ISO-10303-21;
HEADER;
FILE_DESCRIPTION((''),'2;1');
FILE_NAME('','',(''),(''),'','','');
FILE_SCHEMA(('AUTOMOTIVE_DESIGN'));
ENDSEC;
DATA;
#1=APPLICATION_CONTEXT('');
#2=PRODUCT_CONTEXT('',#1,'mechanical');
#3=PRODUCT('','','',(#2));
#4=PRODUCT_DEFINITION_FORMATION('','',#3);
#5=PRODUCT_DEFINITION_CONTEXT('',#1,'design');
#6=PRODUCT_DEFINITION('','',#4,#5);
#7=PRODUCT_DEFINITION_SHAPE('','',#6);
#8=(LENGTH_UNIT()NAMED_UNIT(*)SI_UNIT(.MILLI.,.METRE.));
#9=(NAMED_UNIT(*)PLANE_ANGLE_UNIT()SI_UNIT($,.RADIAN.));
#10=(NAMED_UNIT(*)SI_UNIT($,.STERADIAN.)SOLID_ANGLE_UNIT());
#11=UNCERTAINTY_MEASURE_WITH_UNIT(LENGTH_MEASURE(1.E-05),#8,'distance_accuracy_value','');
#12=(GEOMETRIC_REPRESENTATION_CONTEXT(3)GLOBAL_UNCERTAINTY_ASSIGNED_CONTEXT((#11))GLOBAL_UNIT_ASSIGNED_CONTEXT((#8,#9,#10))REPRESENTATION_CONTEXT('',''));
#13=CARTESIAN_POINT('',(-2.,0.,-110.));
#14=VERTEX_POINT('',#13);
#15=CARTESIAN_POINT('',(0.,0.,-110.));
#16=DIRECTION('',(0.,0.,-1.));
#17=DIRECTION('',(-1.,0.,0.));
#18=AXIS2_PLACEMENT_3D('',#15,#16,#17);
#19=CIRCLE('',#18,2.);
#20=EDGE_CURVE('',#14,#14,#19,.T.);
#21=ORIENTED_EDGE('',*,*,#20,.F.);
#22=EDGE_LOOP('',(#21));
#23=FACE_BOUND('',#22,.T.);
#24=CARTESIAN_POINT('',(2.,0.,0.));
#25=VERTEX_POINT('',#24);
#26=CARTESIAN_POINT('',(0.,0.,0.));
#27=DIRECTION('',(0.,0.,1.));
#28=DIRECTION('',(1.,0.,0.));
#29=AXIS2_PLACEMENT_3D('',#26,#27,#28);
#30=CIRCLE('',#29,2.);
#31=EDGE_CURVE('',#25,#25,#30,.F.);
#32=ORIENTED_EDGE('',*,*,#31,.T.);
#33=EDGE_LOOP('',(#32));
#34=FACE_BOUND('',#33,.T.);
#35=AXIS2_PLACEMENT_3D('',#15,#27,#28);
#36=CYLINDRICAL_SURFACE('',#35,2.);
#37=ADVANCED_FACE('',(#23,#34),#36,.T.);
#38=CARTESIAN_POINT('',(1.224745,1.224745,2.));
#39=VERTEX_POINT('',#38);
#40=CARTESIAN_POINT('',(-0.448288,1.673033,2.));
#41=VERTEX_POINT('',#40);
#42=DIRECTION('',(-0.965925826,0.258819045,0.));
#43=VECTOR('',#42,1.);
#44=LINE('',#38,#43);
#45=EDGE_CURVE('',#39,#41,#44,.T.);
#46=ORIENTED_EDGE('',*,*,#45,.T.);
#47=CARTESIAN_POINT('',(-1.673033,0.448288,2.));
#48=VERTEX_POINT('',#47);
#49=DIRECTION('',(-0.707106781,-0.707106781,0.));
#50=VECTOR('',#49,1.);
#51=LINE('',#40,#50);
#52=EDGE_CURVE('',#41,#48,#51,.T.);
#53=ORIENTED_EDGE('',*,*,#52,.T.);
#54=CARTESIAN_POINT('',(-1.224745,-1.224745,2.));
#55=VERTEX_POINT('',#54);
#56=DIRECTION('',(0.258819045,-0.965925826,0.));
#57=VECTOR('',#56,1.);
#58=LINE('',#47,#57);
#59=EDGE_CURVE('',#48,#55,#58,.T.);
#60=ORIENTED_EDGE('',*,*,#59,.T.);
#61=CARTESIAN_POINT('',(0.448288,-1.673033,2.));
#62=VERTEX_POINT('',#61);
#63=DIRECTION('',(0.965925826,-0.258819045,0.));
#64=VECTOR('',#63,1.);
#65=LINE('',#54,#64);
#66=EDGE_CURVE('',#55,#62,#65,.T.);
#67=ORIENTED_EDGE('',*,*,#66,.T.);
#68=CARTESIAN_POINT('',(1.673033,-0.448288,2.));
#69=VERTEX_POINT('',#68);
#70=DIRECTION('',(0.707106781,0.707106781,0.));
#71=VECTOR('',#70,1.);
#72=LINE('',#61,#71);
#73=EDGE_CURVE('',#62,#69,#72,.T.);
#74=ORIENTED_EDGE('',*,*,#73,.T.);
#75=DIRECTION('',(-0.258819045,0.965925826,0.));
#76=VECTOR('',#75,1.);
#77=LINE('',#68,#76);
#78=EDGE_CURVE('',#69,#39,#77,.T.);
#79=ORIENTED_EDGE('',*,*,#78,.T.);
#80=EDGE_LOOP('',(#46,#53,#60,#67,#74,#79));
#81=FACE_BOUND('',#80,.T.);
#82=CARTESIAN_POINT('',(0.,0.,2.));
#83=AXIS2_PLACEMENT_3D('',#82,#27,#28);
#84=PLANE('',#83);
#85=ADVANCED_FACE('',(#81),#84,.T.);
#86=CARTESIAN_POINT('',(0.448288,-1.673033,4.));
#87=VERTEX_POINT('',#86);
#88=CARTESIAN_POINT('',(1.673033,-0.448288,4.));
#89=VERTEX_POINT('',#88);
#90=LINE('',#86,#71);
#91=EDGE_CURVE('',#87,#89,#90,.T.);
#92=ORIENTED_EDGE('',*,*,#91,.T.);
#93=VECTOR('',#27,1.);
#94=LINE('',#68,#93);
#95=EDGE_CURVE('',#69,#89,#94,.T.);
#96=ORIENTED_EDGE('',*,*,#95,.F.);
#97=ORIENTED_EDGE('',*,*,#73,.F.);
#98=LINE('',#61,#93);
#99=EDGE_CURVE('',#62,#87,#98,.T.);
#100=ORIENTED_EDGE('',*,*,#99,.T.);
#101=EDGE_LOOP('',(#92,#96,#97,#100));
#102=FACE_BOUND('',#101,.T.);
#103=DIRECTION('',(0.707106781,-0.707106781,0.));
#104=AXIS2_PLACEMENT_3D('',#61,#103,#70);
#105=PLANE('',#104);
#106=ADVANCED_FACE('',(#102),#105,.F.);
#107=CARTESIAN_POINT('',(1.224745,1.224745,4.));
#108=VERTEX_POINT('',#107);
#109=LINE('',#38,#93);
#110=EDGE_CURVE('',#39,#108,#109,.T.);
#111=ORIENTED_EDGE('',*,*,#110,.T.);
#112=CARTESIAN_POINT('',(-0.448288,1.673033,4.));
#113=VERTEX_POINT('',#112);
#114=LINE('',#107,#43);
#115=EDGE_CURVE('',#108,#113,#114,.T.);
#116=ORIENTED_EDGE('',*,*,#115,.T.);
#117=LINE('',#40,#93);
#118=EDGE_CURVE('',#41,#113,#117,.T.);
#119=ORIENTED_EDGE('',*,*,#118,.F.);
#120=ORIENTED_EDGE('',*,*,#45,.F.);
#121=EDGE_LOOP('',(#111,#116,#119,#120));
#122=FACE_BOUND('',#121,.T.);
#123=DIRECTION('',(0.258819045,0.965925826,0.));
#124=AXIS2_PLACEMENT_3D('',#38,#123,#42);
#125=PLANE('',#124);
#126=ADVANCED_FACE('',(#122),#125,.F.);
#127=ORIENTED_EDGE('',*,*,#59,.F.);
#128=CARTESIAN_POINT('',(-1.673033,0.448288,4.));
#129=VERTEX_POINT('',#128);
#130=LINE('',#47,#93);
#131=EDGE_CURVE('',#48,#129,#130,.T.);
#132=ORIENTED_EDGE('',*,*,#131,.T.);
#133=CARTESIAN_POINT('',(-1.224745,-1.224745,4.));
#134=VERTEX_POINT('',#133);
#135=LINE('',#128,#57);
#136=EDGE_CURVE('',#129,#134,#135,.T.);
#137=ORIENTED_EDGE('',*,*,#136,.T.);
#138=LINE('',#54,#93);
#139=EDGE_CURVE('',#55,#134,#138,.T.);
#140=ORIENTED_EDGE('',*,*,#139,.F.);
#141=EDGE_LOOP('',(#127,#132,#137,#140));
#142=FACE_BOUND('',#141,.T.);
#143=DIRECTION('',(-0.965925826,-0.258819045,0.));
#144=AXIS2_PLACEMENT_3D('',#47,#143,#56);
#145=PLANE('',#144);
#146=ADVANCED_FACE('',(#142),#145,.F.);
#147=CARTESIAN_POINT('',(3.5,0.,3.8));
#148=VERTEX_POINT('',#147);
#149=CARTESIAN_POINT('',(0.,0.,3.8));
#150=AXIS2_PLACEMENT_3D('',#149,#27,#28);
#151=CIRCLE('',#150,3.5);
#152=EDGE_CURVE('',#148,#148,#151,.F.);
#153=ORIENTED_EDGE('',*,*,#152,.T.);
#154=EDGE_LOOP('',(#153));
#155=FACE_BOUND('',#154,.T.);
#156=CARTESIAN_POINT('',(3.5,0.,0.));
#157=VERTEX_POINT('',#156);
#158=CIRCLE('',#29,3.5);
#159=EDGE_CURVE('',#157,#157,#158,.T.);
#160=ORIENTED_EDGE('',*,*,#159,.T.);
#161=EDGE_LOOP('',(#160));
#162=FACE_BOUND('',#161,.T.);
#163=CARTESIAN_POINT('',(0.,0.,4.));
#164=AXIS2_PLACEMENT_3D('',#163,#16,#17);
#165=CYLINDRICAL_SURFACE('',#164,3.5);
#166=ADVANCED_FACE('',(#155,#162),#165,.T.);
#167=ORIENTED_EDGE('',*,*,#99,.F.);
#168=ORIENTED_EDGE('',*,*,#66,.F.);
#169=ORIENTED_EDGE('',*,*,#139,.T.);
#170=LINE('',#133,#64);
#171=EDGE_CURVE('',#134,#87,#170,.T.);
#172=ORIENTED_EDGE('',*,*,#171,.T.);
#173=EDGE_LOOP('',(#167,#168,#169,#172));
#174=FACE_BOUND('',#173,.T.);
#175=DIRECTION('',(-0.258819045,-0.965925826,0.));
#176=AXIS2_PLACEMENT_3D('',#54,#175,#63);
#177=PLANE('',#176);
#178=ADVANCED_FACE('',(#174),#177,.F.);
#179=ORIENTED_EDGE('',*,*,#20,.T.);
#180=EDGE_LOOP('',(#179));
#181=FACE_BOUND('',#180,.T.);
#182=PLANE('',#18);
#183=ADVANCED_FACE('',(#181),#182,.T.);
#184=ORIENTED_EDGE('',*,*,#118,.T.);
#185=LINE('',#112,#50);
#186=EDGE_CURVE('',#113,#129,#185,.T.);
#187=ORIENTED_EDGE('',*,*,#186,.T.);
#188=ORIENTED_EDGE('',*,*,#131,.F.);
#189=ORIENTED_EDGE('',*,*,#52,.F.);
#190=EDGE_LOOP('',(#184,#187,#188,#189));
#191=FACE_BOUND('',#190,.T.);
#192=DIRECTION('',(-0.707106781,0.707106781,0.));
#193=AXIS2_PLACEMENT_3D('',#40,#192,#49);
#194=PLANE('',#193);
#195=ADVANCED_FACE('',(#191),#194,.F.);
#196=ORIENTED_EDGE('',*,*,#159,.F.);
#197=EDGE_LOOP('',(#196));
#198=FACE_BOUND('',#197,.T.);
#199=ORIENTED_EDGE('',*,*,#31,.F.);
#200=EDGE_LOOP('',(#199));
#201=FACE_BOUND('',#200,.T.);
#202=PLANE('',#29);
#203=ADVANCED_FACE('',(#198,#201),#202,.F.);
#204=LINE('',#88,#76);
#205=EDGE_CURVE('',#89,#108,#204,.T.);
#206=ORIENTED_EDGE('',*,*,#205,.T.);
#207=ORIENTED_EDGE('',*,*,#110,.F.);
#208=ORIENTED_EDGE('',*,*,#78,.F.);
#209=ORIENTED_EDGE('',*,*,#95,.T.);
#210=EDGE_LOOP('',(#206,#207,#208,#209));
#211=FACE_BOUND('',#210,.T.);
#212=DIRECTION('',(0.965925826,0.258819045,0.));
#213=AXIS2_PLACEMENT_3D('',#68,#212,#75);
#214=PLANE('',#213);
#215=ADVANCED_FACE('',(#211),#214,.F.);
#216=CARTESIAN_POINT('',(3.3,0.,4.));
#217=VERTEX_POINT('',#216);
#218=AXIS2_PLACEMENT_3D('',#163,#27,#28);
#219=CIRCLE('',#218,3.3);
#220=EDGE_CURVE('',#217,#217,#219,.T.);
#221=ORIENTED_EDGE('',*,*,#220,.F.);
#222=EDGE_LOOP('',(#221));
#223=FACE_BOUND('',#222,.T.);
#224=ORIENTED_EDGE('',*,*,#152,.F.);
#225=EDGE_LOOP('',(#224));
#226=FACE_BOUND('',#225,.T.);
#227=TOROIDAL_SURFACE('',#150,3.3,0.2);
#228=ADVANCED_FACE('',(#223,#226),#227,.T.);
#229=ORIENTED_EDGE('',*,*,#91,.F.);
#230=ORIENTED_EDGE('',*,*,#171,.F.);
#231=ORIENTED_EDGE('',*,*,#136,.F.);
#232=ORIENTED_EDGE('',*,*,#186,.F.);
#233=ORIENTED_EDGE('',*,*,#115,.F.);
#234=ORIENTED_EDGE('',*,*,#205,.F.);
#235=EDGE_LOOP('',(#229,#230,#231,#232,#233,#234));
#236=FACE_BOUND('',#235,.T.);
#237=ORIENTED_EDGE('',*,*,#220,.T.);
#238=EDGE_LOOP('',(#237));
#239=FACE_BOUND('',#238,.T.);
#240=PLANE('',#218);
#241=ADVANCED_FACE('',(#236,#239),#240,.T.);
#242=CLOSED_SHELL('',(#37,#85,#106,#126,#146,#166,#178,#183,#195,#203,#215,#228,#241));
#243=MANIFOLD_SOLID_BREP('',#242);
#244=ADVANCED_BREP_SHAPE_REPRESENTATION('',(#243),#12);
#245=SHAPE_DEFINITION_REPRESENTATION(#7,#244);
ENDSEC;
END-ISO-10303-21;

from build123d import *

# Parameters (mm, degrees)
SKETCH_1_R          = 3.5
EXTRUDE_1_DEPTH     = 4
CUT_EXTRUDE_1_DEPTH = 2
SKETCH_3_R          = 2
EXTRUDE_2_DEPTH     = 110
FILLET_1_R          = 0.2


with BuildPart() as part:
    # 草图1 → 凸台-拉伸1 (new body)
    with BuildSketch(Plane.XY):
        Circle(SKETCH_1_R)
    extrude(amount=EXTRUDE_1_DEPTH)

    # 草图2 → 切除-拉伸1 (cut)
    with BuildSketch(Plane.XY.offset(4)):
        Polygon((-1.224744871, -1.224744871), (0.448287736, -1.673032607), (1.673032607, -0.448287736), (1.224744871, 1.224744871), (-0.448287736, 1.673032607), (-1.673032607, 0.448287736), align=None)
    extrude(amount=-CUT_EXTRUDE_1_DEPTH, mode=Mode.SUBTRACT)

    # 草图3 → 凸台-拉伸2 (add)
    with BuildSketch(Plane(origin=(0, 0, 0), x_dir=(-1, 0, 0), z_dir=(0, 0, -1))):
        with Locations(Location((0, 0, 0), (0, 0, 180))):
            Circle(SKETCH_3_R)
    extrude(amount=EXTRUDE_2_DEPTH)

    # 圆角1
    fillet_1_edges = [part.edges().sort_by_distance(p)[0] for p in [
        (-3.5, 0, 4),
    ]]
    fillet(fillet_1_edges, radius=FILLET_1_R)


solid = part.part
